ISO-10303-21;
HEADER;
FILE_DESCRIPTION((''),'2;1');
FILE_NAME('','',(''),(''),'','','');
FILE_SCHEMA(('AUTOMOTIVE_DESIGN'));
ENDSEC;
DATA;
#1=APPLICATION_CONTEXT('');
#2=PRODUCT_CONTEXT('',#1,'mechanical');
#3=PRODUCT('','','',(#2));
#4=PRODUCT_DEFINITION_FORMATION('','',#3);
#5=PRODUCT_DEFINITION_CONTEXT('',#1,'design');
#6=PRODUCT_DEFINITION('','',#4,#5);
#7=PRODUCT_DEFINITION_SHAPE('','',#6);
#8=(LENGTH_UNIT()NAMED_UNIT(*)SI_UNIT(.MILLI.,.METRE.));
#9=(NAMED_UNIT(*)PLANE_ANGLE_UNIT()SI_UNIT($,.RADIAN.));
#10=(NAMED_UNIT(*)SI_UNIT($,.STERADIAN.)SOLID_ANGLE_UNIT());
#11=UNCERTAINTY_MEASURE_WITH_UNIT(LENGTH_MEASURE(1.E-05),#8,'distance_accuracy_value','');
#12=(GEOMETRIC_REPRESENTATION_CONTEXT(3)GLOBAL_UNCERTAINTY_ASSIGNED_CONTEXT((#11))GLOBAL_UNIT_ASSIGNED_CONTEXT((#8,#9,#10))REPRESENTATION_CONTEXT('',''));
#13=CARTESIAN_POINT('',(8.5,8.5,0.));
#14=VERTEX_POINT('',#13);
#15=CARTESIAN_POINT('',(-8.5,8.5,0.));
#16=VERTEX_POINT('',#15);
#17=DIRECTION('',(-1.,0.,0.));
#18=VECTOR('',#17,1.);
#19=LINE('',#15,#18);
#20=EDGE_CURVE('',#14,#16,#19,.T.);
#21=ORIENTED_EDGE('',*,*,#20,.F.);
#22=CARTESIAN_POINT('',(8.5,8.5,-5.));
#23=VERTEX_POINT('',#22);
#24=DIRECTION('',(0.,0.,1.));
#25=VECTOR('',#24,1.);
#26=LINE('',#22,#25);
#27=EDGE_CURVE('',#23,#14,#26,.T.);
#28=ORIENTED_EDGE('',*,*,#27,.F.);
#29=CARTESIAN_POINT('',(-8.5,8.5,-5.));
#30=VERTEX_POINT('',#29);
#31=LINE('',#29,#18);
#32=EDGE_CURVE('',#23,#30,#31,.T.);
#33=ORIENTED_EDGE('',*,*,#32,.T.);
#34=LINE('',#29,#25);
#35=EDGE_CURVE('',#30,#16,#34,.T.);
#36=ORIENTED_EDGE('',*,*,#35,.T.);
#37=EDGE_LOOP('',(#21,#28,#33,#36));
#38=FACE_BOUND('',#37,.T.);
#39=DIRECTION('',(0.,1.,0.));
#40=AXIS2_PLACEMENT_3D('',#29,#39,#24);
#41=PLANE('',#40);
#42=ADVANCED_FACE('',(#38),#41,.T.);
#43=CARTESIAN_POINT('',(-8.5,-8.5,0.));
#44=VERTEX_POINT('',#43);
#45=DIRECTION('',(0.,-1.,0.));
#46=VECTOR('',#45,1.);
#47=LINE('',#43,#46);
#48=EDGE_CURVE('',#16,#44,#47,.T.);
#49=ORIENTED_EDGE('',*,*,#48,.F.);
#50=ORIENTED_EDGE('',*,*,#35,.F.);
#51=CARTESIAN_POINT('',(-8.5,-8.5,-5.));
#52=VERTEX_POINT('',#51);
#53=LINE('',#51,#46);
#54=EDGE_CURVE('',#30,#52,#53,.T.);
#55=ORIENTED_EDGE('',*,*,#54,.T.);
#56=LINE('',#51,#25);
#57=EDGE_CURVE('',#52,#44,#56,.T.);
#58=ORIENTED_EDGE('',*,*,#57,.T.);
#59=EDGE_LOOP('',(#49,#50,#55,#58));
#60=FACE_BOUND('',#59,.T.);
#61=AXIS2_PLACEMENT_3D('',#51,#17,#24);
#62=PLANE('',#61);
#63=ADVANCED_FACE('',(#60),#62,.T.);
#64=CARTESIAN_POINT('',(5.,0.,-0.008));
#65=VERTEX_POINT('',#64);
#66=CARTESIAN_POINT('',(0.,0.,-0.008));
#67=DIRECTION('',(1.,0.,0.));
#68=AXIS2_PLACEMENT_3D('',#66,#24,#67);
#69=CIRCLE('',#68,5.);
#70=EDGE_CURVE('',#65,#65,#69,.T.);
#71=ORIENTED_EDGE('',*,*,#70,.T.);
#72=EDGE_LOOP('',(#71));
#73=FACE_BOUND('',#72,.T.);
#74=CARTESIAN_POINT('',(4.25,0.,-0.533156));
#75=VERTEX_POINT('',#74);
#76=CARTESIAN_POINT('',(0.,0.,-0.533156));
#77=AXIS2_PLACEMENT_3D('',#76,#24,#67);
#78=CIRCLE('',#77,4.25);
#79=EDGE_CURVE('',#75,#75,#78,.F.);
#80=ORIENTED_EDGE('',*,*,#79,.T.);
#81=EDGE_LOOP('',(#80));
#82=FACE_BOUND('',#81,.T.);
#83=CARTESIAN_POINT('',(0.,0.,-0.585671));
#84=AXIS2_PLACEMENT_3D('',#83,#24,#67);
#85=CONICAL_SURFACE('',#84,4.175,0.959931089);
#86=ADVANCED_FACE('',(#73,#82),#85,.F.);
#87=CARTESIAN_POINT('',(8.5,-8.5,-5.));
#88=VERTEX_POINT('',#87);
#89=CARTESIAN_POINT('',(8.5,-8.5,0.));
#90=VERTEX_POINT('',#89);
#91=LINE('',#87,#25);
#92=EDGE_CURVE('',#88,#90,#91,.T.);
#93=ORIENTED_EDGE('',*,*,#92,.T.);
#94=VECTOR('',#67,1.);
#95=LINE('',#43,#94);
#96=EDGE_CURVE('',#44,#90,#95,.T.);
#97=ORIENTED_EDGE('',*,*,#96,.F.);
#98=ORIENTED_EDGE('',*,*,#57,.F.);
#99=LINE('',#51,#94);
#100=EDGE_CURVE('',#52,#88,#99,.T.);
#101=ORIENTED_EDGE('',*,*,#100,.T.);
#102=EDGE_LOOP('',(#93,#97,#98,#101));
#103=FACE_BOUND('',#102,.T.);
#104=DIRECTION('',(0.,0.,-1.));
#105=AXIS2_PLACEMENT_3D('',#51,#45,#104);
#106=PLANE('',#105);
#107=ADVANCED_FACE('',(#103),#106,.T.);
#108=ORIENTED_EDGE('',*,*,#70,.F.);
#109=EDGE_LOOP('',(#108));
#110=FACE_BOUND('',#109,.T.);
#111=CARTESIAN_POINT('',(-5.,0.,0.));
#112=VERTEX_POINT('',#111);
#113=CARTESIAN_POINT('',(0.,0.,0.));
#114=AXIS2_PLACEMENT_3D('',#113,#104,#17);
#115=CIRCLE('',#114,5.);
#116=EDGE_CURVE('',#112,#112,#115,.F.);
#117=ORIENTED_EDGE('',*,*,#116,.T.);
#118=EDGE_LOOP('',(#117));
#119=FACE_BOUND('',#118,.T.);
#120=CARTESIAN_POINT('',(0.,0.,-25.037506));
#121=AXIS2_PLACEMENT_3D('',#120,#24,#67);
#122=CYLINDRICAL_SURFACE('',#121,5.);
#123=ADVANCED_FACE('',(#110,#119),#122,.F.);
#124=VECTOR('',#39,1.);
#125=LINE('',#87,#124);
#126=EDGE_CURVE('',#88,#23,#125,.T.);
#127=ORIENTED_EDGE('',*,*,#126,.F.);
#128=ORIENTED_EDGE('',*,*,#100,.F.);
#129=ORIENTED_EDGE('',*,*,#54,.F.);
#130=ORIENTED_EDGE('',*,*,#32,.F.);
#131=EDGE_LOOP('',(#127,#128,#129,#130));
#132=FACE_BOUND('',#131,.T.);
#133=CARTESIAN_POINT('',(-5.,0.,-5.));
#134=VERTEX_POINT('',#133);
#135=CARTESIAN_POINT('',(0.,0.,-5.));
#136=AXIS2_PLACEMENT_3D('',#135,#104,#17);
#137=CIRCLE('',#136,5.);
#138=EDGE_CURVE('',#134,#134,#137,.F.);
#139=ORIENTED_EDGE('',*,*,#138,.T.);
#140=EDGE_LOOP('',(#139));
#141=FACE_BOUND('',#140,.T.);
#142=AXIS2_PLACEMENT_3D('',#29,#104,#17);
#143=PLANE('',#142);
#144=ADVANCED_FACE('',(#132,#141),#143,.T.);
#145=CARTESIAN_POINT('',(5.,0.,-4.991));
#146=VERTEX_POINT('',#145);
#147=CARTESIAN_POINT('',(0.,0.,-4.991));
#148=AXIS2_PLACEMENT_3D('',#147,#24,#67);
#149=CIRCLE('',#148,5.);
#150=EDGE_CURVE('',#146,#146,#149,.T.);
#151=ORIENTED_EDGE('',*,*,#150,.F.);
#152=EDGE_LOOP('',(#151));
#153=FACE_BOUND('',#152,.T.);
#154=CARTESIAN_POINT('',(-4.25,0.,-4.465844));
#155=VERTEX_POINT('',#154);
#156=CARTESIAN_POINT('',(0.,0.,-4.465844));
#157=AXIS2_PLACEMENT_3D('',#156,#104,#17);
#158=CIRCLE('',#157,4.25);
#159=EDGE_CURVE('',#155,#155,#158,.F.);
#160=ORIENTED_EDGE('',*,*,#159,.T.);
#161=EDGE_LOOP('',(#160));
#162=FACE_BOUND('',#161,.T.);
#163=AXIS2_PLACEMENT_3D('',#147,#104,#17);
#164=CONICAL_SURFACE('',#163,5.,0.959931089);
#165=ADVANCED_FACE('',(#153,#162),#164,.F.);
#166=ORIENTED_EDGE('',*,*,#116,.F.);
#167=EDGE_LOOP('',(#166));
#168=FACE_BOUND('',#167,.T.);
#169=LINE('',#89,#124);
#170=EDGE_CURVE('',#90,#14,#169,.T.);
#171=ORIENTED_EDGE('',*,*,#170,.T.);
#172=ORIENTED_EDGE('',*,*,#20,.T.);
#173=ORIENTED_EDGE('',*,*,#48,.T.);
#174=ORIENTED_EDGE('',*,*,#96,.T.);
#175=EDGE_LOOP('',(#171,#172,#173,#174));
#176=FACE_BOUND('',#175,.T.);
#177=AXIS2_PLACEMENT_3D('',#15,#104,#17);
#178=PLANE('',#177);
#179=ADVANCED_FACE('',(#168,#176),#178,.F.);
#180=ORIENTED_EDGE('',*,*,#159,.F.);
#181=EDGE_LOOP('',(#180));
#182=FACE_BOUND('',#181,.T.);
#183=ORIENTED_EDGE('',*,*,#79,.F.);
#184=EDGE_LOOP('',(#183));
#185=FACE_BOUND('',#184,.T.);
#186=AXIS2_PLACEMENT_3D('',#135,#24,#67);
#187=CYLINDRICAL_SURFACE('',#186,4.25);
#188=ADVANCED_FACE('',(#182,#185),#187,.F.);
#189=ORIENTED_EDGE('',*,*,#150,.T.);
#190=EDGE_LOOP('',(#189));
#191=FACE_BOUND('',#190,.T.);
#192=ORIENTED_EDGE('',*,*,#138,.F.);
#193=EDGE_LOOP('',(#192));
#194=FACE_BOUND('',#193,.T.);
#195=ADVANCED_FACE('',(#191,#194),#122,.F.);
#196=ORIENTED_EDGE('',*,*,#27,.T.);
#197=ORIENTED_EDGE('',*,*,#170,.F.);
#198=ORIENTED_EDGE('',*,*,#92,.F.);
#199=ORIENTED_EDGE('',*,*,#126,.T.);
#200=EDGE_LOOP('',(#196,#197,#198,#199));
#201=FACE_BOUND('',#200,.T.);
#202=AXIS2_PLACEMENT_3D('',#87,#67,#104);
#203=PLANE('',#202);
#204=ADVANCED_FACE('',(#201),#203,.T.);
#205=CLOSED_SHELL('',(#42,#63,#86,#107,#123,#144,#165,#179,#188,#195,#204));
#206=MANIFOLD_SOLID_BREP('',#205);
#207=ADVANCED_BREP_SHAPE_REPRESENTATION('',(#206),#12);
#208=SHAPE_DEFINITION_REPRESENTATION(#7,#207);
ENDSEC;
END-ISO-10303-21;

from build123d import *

# Parameters (mm, degrees)
BASENUT_START = -5
BASENUTSKE_W  = 17
BASENUTSKE_H  = 17
BASENUTSKE_R  = 4.25
BASENUT_DEPTH = 5


with BuildPart() as part:
    # BaseNutSke → BaseNut (new body)
    with BuildSketch(Plane.XY.offset(BASENUT_START)):
        Rectangle(BASENUTSKE_W, BASENUTSKE_H)
        Circle(BASENUTSKE_R, mode=Mode.SUBTRACT)
    extrude(amount=BASENUT_DEPTH)

    # EndChamferSketch → EndChamfer (revolve, cut)
    with BuildSketch(Plane(origin=(0, 0, 0), x_dir=(0, 0, -1), z_dir=(1, 0, 0)), mode=Mode.PRIVATE) as endchamfer_sk:
        Polygon((4.991, 5), (4.413328781, 4.175), (5.001, 4.175), (5.001, 5), align=None)
        Polygon((-0.002, 5), (0.008, 5), (0.585671219, 4.175), (-0.002, 4.175), align=None)
    revolve(endchamfer_sk.sketch.rotate(Axis((0, 0, -25.037505729), (0, 0, -1)), 90), axis=Axis((0, 0, -25.037505729), (0, 0, -1)), mode=Mode.SUBTRACT)


solid = part.part
